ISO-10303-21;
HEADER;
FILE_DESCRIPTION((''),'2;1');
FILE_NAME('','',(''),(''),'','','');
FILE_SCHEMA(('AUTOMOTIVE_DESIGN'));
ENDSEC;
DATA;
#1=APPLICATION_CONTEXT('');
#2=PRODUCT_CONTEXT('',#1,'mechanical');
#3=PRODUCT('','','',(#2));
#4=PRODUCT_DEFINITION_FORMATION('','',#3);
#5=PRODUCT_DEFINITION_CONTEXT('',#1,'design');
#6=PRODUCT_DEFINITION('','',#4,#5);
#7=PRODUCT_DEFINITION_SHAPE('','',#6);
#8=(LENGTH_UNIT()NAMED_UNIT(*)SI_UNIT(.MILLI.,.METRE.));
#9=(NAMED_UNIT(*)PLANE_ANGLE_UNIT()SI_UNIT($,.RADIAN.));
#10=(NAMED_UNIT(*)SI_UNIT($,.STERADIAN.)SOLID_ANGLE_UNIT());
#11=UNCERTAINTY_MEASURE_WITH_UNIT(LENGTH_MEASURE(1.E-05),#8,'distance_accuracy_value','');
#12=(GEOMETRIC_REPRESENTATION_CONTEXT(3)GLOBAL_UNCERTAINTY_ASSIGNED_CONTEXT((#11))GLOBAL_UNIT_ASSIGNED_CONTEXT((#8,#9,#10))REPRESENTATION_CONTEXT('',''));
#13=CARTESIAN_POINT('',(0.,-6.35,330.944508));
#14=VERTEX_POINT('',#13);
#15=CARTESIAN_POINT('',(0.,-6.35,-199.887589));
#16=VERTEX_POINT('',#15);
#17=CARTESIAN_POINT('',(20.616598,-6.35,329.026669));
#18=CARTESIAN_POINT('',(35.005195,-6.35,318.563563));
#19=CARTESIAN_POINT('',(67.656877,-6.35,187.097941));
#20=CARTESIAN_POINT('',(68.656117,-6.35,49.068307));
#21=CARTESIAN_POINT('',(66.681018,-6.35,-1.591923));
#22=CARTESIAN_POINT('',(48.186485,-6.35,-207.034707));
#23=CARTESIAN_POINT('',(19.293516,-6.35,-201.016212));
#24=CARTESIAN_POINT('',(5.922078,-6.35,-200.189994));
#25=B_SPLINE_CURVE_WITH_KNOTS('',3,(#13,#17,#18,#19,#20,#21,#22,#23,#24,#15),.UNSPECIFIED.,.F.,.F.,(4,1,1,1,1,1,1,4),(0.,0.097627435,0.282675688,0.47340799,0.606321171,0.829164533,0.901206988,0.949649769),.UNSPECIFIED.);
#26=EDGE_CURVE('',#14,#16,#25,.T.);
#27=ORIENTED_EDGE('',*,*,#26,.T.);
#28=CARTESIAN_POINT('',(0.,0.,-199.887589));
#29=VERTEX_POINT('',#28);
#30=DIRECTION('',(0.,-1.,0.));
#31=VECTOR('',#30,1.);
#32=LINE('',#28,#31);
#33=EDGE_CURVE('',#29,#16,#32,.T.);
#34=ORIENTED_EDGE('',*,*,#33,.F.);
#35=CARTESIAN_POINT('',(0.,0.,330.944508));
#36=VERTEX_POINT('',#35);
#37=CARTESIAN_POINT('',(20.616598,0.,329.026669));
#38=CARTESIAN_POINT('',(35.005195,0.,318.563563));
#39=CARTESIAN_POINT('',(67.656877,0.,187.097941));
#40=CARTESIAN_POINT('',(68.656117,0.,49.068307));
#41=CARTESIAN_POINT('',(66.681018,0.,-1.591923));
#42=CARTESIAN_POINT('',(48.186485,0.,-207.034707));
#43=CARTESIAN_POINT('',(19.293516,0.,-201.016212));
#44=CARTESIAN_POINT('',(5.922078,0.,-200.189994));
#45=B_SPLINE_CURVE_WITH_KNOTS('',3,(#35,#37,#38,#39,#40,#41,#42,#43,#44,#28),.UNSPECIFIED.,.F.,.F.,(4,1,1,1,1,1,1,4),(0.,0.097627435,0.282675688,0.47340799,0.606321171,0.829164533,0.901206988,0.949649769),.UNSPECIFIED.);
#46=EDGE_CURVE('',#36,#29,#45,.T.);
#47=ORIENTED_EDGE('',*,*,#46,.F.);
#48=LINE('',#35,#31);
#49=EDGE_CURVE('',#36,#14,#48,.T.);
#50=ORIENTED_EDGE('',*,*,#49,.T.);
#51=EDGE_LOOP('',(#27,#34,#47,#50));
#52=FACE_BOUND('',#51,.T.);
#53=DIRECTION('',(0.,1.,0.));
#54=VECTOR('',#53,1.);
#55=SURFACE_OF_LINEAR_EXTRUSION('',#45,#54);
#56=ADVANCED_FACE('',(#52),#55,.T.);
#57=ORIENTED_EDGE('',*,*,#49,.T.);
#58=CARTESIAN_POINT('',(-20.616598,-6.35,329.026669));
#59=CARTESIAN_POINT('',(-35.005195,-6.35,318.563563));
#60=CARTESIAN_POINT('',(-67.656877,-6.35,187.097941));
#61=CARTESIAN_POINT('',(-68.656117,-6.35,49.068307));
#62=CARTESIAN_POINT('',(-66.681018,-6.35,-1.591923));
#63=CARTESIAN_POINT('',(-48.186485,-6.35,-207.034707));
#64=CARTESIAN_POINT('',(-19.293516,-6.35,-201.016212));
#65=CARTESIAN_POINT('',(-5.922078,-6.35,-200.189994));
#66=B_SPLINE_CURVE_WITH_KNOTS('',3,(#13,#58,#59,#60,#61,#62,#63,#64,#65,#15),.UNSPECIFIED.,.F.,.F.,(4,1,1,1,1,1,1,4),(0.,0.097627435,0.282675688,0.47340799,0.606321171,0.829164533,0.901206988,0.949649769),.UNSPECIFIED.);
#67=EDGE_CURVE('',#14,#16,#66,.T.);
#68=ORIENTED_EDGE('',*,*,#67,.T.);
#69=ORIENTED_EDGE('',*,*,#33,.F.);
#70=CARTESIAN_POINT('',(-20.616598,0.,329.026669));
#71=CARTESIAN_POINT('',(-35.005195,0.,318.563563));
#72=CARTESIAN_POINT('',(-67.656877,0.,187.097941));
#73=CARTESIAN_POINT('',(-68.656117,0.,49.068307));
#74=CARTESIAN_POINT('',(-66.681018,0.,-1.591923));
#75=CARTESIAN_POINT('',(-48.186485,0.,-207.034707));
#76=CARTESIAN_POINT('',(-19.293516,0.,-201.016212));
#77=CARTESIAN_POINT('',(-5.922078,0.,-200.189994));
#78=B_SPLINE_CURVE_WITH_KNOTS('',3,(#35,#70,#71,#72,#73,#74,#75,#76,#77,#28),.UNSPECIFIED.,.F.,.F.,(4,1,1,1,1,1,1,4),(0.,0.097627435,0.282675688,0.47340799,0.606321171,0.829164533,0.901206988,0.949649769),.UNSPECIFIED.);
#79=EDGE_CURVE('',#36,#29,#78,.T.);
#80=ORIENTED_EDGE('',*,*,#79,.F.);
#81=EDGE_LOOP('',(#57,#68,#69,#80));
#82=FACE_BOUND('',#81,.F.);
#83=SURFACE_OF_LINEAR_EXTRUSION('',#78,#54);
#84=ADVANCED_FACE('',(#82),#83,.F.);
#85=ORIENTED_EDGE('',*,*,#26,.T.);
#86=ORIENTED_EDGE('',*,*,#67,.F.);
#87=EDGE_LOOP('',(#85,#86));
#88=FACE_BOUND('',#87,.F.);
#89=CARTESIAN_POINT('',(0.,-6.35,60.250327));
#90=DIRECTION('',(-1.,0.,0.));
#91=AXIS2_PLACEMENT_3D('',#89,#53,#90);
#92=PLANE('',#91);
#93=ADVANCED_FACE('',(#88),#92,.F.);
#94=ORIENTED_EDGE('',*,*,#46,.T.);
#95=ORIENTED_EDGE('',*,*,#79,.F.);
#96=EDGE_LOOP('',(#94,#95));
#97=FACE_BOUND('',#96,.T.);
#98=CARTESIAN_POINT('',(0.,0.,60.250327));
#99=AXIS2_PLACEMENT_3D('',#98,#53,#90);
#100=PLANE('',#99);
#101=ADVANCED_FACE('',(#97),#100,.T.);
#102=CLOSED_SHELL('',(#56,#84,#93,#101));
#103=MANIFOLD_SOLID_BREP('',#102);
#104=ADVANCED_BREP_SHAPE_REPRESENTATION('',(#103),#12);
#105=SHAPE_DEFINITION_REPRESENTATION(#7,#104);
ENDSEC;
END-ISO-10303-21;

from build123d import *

# Parameters (mm, degrees)
F0_W     = 15.7219674438
F0_H     = 50.8
F0_W_2   = 16.0280325562
F0_W_3   = 15.8750093132
F0_W_4   = 15.8749906868
F1_DEPTH = 6.35


with BuildPart() as f1:
    # F0 (on Front) → F1 (new body)
    with BuildSketch(Plane.XZ):
        with BuildLine():
            add(Edge.make_bspline(
                [(0, 330.9445083141), (20.6165984273, 329.0266692638), (35.005194829, 318.5635632751), (67.6568765651, 187.0979407569), (68.6561173461, 49.0683069634), (66.6810176982, -1.5919225903), (48.1864845962, -207.0347069184), (19.293516266, -201.0162123464), (5.9220783155, -200.1899942809), (0, -199.8875894064)],
                knots=[0, 0, 0, 0, 0.0976274347, 0.2826756881, 0.4734079901, 0.6063211714, 0.8291645326, 0.9012069877, 0.9496497693, 0.9496497693, 0.9496497693, 0.9496497693], degree=3))
            add(Edge.make_bspline(
                [(0, 330.9445083141), (-20.6165984273, 329.0266692638), (-35.005194829, 318.5635632751), (-67.6568765651, 187.0979407569), (-68.6561173461, 49.0683069634), (-66.6810176982, -1.5919225903), (-48.1864845962, -207.0347069184), (-19.293516266, -201.0162123464), (-5.9220783155, -200.1899942809), (0, -199.8875894064)],
                knots=[0, 0, 0, 0, 0.0976274347, 0.2826756881, 0.4734079901, 0.6063211714, 0.8291645326, 0.9012069877, 0.9496497693, 0.9496497693, 0.9496497693, 0.9496497693], degree=3))
        make_face()
        Polygon((-15.8750093132, -62.3038246155), (0, -62.3038246155), (15.8749906868, -62.3038246155), (15.8749906868, -113.1038246155), (0, -113.1038246155), (-15.8750093132, -113.1038246155), align=None, mode=Mode.SUBTRACT)
        Polygon((-16.0280325562, 267.8961753845), (0, 267.8961753845), (15.7219674438, 267.8961753845), (15.7219674438, 217.0961753845), (0, 217.0961753845), (-16.0280325562, 217.0961753845), align=None, mode=Mode.SUBTRACT)
        with Locations((7.8609837219, 242.4961753845)):
            Rectangle(F0_W, F0_H)
        with Locations((-8.0140162781, 242.4961753845)):
            Rectangle(F0_W_2, F0_H)
        with Locations((-7.9375046566, -87.7038246155)):
            Rectangle(F0_W_3, F0_H)
        with Locations((7.9374953434, -87.7038246155)):
            Rectangle(F0_W_4, F0_H)
    extrude(amount=F1_DEPTH)


solid = f1.part
